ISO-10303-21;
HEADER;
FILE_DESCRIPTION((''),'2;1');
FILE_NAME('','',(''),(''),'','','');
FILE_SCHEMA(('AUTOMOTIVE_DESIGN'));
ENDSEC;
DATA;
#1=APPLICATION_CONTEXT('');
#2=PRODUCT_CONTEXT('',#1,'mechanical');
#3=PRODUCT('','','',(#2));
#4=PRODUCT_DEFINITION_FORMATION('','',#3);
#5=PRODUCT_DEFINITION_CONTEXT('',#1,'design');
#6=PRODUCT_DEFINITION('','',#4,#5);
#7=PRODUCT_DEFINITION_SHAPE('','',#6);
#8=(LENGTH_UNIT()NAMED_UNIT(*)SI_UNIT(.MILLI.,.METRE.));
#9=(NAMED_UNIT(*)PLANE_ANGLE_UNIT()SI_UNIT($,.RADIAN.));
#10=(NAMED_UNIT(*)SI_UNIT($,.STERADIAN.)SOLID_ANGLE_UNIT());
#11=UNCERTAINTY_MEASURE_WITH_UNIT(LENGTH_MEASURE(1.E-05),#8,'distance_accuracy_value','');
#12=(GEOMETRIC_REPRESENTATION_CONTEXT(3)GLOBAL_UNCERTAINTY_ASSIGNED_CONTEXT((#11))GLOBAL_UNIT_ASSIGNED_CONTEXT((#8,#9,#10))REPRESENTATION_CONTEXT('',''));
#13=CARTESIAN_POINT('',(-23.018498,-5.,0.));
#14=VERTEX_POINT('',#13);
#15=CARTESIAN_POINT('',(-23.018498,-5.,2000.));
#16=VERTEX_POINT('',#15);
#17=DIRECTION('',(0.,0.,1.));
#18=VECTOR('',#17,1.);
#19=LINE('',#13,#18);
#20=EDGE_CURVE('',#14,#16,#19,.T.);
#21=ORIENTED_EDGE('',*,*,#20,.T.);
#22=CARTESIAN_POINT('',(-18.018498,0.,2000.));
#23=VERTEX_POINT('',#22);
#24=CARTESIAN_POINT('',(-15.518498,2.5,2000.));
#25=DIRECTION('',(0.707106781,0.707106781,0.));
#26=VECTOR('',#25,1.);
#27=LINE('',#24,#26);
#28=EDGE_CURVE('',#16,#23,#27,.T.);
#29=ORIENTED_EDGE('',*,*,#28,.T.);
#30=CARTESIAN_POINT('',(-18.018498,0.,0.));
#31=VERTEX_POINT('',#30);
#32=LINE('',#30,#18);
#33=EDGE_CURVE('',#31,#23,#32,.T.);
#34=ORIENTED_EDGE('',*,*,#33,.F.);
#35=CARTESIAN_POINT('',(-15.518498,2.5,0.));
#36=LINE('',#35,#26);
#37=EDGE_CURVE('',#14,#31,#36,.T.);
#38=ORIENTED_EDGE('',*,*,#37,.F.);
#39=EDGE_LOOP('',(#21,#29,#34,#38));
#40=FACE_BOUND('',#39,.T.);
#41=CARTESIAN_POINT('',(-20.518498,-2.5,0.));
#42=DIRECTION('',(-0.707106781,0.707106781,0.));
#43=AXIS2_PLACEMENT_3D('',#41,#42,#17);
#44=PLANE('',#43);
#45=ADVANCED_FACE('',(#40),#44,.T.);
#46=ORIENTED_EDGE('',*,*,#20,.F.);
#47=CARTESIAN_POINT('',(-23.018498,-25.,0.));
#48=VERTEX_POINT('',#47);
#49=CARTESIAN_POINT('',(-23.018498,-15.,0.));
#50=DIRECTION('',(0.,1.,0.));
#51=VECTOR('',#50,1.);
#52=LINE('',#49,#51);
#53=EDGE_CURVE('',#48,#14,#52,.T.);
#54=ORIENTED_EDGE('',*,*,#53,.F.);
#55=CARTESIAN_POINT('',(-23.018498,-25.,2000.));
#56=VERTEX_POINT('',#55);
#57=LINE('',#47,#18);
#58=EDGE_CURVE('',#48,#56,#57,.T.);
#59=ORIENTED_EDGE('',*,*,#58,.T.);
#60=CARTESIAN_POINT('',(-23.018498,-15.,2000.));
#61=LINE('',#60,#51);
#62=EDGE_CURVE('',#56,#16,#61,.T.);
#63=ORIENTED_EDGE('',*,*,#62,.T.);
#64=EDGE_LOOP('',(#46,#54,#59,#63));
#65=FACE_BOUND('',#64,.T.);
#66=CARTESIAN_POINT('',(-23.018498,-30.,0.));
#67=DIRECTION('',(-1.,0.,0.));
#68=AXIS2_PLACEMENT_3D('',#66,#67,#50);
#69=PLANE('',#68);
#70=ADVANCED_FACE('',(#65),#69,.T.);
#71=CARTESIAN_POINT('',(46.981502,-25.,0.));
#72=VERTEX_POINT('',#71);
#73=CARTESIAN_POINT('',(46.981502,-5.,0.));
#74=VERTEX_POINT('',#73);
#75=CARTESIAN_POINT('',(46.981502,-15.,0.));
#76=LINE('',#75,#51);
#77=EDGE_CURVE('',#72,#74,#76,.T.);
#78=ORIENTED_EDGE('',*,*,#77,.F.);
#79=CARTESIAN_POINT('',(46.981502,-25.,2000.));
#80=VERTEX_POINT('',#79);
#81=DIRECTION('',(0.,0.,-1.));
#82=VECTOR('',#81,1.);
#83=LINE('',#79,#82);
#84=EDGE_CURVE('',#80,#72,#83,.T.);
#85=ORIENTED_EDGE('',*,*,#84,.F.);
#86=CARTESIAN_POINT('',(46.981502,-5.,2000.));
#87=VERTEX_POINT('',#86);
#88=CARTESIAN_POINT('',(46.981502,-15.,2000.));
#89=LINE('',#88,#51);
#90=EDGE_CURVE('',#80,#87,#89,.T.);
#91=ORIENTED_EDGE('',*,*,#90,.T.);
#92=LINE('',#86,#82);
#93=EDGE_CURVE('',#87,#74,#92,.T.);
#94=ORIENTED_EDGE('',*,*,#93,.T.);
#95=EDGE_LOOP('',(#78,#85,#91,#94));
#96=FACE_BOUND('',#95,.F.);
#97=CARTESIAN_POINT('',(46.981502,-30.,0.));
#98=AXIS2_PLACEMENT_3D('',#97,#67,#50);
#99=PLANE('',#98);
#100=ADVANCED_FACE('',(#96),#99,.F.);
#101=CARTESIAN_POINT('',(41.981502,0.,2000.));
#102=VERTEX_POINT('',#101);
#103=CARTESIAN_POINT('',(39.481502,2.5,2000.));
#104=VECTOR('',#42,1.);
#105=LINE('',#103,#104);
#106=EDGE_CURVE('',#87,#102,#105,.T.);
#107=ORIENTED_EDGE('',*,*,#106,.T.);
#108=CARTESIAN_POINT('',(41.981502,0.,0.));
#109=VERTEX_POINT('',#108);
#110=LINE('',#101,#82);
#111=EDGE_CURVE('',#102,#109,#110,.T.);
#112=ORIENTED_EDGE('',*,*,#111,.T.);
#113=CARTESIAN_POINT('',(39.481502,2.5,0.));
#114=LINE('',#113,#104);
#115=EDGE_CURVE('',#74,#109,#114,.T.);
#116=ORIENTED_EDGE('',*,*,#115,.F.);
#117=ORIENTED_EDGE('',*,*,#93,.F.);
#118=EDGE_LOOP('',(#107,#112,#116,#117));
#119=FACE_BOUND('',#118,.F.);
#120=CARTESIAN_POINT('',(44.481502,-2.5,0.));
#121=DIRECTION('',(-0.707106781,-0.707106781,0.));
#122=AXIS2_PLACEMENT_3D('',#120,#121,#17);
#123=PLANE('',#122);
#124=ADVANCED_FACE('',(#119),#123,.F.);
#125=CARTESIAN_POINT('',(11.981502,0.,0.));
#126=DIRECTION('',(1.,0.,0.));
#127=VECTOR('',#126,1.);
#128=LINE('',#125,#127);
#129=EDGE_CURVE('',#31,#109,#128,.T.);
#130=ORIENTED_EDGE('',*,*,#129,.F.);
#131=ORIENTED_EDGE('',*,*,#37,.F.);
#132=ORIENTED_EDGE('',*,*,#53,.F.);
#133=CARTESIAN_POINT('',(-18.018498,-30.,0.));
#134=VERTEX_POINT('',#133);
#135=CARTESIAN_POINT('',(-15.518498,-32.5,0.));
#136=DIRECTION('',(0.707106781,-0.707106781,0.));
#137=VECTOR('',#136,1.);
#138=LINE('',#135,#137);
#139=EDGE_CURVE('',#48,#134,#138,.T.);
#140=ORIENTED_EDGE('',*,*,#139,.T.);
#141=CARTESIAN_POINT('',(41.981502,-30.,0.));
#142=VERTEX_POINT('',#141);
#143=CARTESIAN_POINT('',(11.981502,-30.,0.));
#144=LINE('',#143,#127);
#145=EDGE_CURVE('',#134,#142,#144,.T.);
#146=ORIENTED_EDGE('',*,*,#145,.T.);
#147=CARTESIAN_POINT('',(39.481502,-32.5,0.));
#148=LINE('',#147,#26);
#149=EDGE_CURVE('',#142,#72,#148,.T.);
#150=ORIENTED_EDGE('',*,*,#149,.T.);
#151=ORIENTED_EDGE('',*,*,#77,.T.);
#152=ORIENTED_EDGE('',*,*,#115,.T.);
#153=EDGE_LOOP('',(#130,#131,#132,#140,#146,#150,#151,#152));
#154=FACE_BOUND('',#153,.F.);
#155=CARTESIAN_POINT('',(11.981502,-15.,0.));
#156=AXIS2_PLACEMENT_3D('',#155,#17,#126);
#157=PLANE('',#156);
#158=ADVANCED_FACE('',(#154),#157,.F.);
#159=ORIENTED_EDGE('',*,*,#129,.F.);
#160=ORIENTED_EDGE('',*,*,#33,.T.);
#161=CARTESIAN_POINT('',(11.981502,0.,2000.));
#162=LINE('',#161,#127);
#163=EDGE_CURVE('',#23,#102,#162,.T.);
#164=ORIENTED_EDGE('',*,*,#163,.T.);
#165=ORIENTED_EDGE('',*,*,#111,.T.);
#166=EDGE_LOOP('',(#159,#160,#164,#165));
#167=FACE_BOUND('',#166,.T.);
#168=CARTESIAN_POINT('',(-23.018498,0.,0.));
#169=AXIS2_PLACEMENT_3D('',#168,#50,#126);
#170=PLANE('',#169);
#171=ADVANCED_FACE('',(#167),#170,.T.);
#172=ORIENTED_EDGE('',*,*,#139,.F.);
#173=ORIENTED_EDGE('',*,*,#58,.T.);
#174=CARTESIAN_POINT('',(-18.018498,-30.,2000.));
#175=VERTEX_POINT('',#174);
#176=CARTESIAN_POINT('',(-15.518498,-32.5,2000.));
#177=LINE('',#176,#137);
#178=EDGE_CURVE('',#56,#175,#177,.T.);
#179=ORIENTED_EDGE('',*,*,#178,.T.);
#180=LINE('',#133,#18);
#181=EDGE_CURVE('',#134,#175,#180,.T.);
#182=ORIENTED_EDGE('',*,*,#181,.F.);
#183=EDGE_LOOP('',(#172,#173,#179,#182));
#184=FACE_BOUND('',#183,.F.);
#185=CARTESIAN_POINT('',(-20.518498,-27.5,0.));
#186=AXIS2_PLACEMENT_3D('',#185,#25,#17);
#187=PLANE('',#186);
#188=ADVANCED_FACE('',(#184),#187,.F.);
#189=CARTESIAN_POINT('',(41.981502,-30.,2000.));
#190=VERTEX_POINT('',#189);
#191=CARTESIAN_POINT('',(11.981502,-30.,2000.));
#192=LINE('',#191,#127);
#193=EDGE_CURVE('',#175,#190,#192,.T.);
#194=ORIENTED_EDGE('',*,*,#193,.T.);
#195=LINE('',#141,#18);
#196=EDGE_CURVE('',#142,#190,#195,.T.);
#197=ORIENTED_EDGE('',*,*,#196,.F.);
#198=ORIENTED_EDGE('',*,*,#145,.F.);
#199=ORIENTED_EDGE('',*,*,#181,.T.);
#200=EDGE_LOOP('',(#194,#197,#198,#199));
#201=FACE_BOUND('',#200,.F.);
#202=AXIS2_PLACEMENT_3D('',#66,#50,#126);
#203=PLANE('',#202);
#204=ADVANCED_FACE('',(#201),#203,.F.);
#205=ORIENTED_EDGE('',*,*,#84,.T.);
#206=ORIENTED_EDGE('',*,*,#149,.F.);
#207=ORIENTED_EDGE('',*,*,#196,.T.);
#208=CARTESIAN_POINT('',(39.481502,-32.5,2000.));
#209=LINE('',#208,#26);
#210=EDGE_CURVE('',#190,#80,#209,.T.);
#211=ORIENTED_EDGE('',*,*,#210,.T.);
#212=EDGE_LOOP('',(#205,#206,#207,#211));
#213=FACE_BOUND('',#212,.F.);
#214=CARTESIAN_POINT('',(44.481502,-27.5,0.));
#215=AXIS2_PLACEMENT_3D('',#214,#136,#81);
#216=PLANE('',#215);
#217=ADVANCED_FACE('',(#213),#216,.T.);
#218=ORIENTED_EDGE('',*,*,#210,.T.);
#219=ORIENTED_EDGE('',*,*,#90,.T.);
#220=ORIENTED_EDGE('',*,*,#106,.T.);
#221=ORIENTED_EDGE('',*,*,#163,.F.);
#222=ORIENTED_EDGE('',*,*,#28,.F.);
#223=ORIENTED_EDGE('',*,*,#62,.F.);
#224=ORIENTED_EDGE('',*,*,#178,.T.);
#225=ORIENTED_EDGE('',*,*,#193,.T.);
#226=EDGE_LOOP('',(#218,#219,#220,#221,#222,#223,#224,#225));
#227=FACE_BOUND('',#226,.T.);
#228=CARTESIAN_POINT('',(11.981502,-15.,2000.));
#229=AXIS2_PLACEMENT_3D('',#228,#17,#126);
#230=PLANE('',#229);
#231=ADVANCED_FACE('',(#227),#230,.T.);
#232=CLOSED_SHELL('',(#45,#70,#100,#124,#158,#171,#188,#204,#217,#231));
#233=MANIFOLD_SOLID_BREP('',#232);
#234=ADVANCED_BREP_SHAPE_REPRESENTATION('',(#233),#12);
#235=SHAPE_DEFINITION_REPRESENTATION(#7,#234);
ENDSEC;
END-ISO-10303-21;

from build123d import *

# Parameters (mm, degrees)
F0_W     = 70
F0_H     = 30
F1_DEPTH = 2000
F2_SIZE  = 5
F3_DEPTH = 1047


with BuildPart() as f1:
    # F0 (on Top) → F1 (new body)
    with BuildSketch(Plane.XY):
        with Locations((11.981502, -15)):
            Rectangle(F0_W, F0_H)
    extrude(amount=F1_DEPTH)

    # F2
    f2_edges = [f1.edges().sort_by_distance(p)[0] for p in [
        (-23.018498, -30, 1000),
        (46.981502, -30, 1000),
        (-23.018498, 0, 1000),
        (46.981502, 0, 1000),
    ]]
    chamfer(f2_edges, length=F2_SIZE)

    # F1_face (on face) → F3 (join)
    with BuildSketch(Plane(origin=(11.981502, -15, 2000), x_dir=(1, 0, 0), z_dir=(0, 0, 1))):
        Polygon((30, 15), (-30, 15), (-35, 10), (-35, -10), (-30, -15), (30, -15), (35, -10), (35, 10), align=None)
    extrude(amount=-F3_DEPTH)


solid = f1.part
